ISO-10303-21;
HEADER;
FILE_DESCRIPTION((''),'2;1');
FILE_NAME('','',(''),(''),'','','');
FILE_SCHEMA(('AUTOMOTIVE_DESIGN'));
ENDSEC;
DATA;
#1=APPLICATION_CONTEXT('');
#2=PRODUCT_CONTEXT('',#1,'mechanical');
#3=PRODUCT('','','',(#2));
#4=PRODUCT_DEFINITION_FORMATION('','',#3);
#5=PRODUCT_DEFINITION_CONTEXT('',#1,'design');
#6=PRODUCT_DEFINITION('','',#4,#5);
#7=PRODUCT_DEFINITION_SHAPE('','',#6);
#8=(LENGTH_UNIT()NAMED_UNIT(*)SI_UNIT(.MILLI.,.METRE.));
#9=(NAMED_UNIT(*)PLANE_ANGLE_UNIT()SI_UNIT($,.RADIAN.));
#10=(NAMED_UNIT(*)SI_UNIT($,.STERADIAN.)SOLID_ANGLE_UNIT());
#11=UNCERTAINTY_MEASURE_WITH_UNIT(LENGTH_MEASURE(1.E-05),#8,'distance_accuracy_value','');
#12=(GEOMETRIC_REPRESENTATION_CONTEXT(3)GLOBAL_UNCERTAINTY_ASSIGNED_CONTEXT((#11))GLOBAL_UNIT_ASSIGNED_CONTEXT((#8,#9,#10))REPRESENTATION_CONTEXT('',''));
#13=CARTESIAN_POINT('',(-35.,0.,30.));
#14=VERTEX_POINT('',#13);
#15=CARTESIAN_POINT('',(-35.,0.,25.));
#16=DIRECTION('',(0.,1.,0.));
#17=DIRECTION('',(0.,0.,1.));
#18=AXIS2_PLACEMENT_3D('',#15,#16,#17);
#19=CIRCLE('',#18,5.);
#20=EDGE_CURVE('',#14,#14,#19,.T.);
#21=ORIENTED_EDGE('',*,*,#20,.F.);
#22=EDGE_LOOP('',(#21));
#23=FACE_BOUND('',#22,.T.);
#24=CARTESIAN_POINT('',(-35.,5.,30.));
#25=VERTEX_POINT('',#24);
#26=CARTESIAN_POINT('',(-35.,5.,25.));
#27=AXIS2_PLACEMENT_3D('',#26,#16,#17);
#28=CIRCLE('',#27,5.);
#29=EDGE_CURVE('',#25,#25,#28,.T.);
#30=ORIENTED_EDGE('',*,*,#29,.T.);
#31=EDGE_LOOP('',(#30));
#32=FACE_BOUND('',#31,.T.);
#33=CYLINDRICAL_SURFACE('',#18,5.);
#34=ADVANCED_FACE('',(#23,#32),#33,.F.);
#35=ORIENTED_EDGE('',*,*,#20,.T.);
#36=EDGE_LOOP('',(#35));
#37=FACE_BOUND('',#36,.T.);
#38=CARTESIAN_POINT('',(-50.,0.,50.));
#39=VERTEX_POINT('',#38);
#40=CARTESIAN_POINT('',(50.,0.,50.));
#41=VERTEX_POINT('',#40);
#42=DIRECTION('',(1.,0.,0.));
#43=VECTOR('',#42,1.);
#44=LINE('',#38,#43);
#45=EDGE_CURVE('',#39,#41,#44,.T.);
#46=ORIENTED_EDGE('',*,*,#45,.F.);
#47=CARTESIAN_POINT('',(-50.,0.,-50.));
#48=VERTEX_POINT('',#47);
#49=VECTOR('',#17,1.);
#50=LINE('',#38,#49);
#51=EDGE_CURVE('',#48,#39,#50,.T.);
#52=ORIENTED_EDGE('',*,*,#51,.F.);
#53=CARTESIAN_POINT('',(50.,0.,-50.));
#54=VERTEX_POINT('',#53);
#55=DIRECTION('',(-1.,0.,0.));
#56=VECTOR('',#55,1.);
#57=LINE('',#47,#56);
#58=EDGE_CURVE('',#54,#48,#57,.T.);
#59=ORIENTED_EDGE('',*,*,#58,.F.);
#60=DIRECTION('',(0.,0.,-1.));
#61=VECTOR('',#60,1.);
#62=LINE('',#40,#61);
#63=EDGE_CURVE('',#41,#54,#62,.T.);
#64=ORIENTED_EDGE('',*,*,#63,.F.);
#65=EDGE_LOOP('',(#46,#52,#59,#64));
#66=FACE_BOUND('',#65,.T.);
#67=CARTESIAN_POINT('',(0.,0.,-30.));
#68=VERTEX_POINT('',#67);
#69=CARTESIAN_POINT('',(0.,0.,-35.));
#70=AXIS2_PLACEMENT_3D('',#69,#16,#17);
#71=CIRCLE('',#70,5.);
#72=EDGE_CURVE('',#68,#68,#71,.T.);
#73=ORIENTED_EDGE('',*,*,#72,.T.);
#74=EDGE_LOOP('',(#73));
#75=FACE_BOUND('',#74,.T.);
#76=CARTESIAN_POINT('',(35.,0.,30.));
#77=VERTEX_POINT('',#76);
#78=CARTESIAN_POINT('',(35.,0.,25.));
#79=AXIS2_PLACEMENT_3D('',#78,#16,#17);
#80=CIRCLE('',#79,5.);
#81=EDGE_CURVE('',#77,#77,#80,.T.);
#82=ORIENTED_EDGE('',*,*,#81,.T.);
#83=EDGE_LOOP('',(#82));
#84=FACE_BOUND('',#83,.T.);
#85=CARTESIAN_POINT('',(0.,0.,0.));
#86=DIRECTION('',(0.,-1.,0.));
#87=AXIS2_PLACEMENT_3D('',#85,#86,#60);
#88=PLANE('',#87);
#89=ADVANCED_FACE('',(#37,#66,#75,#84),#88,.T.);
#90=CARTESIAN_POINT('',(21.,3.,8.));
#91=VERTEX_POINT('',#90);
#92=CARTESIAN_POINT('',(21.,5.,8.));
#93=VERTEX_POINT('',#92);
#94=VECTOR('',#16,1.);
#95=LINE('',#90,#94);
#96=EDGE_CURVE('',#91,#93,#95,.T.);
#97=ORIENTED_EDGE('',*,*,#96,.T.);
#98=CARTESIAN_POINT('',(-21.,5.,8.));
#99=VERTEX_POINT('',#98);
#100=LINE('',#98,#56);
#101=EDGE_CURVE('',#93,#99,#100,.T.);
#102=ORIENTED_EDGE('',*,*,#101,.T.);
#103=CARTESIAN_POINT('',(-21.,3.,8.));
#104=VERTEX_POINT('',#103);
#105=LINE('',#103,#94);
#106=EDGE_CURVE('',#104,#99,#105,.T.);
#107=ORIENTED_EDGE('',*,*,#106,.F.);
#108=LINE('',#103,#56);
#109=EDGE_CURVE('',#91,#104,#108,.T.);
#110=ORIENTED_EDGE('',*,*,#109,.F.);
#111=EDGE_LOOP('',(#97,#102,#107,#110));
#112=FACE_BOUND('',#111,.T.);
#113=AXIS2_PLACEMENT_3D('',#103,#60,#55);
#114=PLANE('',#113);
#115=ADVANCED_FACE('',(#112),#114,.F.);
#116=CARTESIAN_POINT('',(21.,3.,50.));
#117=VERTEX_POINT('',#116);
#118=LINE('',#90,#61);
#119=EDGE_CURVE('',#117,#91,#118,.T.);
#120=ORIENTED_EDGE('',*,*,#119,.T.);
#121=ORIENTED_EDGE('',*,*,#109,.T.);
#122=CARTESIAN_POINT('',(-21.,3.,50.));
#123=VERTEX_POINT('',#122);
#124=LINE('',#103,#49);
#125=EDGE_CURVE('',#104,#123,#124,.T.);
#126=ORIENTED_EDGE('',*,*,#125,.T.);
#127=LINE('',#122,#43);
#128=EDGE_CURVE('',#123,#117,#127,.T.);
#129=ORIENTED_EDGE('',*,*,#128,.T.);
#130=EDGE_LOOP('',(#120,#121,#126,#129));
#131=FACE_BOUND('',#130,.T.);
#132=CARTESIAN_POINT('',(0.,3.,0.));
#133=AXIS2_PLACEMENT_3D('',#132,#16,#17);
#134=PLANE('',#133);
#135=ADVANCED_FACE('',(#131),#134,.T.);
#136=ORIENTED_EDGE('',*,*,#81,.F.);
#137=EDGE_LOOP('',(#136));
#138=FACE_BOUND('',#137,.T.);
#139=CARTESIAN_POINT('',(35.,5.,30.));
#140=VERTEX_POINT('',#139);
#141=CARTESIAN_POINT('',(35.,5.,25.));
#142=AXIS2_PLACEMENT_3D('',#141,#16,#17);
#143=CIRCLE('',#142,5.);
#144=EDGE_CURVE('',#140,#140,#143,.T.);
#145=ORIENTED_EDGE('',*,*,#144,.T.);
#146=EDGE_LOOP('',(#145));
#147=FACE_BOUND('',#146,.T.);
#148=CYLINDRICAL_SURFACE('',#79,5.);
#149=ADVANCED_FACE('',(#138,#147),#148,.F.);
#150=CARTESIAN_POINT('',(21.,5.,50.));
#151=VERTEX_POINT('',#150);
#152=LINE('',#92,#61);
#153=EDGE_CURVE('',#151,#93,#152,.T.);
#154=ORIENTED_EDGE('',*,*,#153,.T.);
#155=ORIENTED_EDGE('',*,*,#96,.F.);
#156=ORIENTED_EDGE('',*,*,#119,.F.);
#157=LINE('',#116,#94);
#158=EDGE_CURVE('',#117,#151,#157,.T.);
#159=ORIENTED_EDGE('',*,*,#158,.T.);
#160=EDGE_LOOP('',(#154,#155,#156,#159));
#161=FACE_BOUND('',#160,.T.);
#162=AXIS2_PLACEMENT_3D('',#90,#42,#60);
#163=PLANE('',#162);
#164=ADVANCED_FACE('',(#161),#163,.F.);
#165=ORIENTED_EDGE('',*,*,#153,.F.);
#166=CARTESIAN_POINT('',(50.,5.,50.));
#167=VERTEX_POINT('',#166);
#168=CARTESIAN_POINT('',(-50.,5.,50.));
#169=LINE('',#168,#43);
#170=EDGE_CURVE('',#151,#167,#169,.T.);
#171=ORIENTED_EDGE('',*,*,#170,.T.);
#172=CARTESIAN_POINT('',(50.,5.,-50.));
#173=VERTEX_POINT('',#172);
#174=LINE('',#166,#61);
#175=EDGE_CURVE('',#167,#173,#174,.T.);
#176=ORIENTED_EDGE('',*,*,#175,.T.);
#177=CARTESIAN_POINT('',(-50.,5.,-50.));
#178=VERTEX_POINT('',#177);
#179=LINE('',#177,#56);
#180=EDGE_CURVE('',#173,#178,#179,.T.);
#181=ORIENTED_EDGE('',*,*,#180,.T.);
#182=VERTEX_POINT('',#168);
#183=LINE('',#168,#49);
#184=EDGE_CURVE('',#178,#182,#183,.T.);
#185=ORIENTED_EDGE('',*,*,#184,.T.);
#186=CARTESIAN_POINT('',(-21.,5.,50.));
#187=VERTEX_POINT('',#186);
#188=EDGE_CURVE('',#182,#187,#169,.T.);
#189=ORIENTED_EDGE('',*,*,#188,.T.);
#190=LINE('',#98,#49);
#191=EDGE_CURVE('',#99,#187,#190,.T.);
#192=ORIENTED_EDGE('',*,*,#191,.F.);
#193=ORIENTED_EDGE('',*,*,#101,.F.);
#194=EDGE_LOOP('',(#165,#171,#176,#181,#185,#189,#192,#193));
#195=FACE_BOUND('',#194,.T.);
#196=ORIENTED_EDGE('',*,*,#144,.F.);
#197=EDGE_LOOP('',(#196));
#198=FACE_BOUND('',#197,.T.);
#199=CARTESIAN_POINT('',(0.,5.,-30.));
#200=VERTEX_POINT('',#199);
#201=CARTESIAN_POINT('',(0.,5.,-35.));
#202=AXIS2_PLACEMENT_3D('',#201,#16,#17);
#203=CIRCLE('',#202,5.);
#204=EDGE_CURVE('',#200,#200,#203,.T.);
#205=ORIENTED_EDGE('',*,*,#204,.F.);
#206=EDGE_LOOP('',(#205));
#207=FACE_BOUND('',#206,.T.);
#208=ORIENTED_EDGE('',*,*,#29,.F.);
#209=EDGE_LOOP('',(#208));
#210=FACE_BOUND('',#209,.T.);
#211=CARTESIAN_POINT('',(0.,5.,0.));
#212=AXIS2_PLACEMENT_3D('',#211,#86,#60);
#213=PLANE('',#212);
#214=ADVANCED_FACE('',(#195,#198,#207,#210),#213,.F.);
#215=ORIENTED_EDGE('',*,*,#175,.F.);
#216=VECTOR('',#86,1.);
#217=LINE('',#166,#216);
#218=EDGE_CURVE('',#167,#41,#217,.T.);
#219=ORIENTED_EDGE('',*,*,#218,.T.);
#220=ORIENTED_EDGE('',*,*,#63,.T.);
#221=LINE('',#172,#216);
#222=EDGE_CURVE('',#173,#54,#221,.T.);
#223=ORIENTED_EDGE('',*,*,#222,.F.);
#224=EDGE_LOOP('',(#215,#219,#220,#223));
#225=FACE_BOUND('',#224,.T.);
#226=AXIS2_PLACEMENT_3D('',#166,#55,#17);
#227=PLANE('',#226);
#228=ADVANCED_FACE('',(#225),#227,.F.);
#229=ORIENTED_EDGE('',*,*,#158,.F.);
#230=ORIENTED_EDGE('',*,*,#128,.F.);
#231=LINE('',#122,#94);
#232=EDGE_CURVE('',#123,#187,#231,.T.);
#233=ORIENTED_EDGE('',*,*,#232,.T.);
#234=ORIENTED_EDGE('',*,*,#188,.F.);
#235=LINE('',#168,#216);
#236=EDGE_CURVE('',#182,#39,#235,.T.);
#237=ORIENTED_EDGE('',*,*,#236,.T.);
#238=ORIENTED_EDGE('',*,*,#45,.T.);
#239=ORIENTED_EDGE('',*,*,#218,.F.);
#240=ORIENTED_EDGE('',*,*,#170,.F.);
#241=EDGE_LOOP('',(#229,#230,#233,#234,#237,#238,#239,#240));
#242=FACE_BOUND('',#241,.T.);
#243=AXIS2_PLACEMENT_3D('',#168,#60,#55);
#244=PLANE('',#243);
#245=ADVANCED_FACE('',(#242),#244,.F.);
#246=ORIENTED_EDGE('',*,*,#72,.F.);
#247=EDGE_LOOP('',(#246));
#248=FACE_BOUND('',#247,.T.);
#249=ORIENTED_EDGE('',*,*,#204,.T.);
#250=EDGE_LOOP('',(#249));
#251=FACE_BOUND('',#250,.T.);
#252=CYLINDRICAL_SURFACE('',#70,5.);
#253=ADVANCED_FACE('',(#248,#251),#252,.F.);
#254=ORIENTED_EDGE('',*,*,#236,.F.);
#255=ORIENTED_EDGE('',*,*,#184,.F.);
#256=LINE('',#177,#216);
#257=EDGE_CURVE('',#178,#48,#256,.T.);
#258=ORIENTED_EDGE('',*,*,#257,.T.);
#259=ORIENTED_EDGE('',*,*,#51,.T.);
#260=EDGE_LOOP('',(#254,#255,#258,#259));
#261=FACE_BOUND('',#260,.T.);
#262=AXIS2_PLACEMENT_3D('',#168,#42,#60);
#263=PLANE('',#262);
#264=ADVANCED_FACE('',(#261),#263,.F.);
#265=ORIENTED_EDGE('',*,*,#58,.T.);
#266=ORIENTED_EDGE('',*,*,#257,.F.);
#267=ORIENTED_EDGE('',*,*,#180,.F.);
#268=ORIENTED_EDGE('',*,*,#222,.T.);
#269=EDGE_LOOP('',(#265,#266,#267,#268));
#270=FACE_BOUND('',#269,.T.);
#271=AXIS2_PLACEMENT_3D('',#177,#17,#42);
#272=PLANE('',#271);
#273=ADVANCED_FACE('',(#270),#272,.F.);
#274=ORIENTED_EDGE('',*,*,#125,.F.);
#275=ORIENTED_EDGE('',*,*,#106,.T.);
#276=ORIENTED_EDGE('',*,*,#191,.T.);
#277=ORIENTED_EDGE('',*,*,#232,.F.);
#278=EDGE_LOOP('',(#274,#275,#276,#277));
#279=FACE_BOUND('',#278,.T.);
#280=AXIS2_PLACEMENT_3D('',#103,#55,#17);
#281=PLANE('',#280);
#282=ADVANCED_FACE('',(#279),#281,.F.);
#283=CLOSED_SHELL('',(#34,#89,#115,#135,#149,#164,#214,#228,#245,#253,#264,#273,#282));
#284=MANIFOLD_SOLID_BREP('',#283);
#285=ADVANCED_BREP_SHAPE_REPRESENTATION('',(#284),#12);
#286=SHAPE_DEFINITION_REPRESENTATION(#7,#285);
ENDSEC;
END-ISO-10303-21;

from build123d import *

# Parameters (mm, degrees)
SKETCH1_W           = 100
SKETCH1_H           = 100
BOSS_EXTRUDE1_DEPTH = 5
SKETCH2_W           = 42
SKETCH2_H           = 42
CUT_EXTRUDE1_DEPTH  = 2
SKETCH3_R           = 5
CUT_EXTRUDE2_DEPTH  = 5


with BuildPart() as part:
    # Sketch1 → Boss-Extrude1 (new body)
    with BuildSketch(Plane(origin=(0, 0, 0), x_dir=(1, 0, 0), z_dir=(0, 1, 0))):
        Rectangle(SKETCH1_W, SKETCH1_H)
    extrude(amount=BOSS_EXTRUDE1_DEPTH)

    # Sketch2 → Cut-Extrude1 (cut)
    with BuildSketch(Plane(origin=(0, 5, 0), x_dir=(1, 0, 0), z_dir=(0, 1, 0))):
        with Locations((0, -29)):
            Rectangle(SKETCH2_W, SKETCH2_H)
    extrude(amount=-CUT_EXTRUDE1_DEPTH, mode=Mode.SUBTRACT)

    # Sketch3 → Cut-Extrude2 (cut)
    with BuildSketch(Plane(origin=(0, 5, 0), x_dir=(1, 0, 0), z_dir=(0, 1, 0))):
        with Locations(Location((-35, -25, 0), (0, 0, 270))):
            Circle(SKETCH3_R)
        with Locations(Location((35, -25, 0), (0, 0, 270))):
            Circle(SKETCH3_R)
        with Locations(Location((0, 35, 0), (0, 0, 270))):
            Circle(SKETCH3_R)
    extrude(amount=-CUT_EXTRUDE2_DEPTH, mode=Mode.SUBTRACT)


solid = part.part
